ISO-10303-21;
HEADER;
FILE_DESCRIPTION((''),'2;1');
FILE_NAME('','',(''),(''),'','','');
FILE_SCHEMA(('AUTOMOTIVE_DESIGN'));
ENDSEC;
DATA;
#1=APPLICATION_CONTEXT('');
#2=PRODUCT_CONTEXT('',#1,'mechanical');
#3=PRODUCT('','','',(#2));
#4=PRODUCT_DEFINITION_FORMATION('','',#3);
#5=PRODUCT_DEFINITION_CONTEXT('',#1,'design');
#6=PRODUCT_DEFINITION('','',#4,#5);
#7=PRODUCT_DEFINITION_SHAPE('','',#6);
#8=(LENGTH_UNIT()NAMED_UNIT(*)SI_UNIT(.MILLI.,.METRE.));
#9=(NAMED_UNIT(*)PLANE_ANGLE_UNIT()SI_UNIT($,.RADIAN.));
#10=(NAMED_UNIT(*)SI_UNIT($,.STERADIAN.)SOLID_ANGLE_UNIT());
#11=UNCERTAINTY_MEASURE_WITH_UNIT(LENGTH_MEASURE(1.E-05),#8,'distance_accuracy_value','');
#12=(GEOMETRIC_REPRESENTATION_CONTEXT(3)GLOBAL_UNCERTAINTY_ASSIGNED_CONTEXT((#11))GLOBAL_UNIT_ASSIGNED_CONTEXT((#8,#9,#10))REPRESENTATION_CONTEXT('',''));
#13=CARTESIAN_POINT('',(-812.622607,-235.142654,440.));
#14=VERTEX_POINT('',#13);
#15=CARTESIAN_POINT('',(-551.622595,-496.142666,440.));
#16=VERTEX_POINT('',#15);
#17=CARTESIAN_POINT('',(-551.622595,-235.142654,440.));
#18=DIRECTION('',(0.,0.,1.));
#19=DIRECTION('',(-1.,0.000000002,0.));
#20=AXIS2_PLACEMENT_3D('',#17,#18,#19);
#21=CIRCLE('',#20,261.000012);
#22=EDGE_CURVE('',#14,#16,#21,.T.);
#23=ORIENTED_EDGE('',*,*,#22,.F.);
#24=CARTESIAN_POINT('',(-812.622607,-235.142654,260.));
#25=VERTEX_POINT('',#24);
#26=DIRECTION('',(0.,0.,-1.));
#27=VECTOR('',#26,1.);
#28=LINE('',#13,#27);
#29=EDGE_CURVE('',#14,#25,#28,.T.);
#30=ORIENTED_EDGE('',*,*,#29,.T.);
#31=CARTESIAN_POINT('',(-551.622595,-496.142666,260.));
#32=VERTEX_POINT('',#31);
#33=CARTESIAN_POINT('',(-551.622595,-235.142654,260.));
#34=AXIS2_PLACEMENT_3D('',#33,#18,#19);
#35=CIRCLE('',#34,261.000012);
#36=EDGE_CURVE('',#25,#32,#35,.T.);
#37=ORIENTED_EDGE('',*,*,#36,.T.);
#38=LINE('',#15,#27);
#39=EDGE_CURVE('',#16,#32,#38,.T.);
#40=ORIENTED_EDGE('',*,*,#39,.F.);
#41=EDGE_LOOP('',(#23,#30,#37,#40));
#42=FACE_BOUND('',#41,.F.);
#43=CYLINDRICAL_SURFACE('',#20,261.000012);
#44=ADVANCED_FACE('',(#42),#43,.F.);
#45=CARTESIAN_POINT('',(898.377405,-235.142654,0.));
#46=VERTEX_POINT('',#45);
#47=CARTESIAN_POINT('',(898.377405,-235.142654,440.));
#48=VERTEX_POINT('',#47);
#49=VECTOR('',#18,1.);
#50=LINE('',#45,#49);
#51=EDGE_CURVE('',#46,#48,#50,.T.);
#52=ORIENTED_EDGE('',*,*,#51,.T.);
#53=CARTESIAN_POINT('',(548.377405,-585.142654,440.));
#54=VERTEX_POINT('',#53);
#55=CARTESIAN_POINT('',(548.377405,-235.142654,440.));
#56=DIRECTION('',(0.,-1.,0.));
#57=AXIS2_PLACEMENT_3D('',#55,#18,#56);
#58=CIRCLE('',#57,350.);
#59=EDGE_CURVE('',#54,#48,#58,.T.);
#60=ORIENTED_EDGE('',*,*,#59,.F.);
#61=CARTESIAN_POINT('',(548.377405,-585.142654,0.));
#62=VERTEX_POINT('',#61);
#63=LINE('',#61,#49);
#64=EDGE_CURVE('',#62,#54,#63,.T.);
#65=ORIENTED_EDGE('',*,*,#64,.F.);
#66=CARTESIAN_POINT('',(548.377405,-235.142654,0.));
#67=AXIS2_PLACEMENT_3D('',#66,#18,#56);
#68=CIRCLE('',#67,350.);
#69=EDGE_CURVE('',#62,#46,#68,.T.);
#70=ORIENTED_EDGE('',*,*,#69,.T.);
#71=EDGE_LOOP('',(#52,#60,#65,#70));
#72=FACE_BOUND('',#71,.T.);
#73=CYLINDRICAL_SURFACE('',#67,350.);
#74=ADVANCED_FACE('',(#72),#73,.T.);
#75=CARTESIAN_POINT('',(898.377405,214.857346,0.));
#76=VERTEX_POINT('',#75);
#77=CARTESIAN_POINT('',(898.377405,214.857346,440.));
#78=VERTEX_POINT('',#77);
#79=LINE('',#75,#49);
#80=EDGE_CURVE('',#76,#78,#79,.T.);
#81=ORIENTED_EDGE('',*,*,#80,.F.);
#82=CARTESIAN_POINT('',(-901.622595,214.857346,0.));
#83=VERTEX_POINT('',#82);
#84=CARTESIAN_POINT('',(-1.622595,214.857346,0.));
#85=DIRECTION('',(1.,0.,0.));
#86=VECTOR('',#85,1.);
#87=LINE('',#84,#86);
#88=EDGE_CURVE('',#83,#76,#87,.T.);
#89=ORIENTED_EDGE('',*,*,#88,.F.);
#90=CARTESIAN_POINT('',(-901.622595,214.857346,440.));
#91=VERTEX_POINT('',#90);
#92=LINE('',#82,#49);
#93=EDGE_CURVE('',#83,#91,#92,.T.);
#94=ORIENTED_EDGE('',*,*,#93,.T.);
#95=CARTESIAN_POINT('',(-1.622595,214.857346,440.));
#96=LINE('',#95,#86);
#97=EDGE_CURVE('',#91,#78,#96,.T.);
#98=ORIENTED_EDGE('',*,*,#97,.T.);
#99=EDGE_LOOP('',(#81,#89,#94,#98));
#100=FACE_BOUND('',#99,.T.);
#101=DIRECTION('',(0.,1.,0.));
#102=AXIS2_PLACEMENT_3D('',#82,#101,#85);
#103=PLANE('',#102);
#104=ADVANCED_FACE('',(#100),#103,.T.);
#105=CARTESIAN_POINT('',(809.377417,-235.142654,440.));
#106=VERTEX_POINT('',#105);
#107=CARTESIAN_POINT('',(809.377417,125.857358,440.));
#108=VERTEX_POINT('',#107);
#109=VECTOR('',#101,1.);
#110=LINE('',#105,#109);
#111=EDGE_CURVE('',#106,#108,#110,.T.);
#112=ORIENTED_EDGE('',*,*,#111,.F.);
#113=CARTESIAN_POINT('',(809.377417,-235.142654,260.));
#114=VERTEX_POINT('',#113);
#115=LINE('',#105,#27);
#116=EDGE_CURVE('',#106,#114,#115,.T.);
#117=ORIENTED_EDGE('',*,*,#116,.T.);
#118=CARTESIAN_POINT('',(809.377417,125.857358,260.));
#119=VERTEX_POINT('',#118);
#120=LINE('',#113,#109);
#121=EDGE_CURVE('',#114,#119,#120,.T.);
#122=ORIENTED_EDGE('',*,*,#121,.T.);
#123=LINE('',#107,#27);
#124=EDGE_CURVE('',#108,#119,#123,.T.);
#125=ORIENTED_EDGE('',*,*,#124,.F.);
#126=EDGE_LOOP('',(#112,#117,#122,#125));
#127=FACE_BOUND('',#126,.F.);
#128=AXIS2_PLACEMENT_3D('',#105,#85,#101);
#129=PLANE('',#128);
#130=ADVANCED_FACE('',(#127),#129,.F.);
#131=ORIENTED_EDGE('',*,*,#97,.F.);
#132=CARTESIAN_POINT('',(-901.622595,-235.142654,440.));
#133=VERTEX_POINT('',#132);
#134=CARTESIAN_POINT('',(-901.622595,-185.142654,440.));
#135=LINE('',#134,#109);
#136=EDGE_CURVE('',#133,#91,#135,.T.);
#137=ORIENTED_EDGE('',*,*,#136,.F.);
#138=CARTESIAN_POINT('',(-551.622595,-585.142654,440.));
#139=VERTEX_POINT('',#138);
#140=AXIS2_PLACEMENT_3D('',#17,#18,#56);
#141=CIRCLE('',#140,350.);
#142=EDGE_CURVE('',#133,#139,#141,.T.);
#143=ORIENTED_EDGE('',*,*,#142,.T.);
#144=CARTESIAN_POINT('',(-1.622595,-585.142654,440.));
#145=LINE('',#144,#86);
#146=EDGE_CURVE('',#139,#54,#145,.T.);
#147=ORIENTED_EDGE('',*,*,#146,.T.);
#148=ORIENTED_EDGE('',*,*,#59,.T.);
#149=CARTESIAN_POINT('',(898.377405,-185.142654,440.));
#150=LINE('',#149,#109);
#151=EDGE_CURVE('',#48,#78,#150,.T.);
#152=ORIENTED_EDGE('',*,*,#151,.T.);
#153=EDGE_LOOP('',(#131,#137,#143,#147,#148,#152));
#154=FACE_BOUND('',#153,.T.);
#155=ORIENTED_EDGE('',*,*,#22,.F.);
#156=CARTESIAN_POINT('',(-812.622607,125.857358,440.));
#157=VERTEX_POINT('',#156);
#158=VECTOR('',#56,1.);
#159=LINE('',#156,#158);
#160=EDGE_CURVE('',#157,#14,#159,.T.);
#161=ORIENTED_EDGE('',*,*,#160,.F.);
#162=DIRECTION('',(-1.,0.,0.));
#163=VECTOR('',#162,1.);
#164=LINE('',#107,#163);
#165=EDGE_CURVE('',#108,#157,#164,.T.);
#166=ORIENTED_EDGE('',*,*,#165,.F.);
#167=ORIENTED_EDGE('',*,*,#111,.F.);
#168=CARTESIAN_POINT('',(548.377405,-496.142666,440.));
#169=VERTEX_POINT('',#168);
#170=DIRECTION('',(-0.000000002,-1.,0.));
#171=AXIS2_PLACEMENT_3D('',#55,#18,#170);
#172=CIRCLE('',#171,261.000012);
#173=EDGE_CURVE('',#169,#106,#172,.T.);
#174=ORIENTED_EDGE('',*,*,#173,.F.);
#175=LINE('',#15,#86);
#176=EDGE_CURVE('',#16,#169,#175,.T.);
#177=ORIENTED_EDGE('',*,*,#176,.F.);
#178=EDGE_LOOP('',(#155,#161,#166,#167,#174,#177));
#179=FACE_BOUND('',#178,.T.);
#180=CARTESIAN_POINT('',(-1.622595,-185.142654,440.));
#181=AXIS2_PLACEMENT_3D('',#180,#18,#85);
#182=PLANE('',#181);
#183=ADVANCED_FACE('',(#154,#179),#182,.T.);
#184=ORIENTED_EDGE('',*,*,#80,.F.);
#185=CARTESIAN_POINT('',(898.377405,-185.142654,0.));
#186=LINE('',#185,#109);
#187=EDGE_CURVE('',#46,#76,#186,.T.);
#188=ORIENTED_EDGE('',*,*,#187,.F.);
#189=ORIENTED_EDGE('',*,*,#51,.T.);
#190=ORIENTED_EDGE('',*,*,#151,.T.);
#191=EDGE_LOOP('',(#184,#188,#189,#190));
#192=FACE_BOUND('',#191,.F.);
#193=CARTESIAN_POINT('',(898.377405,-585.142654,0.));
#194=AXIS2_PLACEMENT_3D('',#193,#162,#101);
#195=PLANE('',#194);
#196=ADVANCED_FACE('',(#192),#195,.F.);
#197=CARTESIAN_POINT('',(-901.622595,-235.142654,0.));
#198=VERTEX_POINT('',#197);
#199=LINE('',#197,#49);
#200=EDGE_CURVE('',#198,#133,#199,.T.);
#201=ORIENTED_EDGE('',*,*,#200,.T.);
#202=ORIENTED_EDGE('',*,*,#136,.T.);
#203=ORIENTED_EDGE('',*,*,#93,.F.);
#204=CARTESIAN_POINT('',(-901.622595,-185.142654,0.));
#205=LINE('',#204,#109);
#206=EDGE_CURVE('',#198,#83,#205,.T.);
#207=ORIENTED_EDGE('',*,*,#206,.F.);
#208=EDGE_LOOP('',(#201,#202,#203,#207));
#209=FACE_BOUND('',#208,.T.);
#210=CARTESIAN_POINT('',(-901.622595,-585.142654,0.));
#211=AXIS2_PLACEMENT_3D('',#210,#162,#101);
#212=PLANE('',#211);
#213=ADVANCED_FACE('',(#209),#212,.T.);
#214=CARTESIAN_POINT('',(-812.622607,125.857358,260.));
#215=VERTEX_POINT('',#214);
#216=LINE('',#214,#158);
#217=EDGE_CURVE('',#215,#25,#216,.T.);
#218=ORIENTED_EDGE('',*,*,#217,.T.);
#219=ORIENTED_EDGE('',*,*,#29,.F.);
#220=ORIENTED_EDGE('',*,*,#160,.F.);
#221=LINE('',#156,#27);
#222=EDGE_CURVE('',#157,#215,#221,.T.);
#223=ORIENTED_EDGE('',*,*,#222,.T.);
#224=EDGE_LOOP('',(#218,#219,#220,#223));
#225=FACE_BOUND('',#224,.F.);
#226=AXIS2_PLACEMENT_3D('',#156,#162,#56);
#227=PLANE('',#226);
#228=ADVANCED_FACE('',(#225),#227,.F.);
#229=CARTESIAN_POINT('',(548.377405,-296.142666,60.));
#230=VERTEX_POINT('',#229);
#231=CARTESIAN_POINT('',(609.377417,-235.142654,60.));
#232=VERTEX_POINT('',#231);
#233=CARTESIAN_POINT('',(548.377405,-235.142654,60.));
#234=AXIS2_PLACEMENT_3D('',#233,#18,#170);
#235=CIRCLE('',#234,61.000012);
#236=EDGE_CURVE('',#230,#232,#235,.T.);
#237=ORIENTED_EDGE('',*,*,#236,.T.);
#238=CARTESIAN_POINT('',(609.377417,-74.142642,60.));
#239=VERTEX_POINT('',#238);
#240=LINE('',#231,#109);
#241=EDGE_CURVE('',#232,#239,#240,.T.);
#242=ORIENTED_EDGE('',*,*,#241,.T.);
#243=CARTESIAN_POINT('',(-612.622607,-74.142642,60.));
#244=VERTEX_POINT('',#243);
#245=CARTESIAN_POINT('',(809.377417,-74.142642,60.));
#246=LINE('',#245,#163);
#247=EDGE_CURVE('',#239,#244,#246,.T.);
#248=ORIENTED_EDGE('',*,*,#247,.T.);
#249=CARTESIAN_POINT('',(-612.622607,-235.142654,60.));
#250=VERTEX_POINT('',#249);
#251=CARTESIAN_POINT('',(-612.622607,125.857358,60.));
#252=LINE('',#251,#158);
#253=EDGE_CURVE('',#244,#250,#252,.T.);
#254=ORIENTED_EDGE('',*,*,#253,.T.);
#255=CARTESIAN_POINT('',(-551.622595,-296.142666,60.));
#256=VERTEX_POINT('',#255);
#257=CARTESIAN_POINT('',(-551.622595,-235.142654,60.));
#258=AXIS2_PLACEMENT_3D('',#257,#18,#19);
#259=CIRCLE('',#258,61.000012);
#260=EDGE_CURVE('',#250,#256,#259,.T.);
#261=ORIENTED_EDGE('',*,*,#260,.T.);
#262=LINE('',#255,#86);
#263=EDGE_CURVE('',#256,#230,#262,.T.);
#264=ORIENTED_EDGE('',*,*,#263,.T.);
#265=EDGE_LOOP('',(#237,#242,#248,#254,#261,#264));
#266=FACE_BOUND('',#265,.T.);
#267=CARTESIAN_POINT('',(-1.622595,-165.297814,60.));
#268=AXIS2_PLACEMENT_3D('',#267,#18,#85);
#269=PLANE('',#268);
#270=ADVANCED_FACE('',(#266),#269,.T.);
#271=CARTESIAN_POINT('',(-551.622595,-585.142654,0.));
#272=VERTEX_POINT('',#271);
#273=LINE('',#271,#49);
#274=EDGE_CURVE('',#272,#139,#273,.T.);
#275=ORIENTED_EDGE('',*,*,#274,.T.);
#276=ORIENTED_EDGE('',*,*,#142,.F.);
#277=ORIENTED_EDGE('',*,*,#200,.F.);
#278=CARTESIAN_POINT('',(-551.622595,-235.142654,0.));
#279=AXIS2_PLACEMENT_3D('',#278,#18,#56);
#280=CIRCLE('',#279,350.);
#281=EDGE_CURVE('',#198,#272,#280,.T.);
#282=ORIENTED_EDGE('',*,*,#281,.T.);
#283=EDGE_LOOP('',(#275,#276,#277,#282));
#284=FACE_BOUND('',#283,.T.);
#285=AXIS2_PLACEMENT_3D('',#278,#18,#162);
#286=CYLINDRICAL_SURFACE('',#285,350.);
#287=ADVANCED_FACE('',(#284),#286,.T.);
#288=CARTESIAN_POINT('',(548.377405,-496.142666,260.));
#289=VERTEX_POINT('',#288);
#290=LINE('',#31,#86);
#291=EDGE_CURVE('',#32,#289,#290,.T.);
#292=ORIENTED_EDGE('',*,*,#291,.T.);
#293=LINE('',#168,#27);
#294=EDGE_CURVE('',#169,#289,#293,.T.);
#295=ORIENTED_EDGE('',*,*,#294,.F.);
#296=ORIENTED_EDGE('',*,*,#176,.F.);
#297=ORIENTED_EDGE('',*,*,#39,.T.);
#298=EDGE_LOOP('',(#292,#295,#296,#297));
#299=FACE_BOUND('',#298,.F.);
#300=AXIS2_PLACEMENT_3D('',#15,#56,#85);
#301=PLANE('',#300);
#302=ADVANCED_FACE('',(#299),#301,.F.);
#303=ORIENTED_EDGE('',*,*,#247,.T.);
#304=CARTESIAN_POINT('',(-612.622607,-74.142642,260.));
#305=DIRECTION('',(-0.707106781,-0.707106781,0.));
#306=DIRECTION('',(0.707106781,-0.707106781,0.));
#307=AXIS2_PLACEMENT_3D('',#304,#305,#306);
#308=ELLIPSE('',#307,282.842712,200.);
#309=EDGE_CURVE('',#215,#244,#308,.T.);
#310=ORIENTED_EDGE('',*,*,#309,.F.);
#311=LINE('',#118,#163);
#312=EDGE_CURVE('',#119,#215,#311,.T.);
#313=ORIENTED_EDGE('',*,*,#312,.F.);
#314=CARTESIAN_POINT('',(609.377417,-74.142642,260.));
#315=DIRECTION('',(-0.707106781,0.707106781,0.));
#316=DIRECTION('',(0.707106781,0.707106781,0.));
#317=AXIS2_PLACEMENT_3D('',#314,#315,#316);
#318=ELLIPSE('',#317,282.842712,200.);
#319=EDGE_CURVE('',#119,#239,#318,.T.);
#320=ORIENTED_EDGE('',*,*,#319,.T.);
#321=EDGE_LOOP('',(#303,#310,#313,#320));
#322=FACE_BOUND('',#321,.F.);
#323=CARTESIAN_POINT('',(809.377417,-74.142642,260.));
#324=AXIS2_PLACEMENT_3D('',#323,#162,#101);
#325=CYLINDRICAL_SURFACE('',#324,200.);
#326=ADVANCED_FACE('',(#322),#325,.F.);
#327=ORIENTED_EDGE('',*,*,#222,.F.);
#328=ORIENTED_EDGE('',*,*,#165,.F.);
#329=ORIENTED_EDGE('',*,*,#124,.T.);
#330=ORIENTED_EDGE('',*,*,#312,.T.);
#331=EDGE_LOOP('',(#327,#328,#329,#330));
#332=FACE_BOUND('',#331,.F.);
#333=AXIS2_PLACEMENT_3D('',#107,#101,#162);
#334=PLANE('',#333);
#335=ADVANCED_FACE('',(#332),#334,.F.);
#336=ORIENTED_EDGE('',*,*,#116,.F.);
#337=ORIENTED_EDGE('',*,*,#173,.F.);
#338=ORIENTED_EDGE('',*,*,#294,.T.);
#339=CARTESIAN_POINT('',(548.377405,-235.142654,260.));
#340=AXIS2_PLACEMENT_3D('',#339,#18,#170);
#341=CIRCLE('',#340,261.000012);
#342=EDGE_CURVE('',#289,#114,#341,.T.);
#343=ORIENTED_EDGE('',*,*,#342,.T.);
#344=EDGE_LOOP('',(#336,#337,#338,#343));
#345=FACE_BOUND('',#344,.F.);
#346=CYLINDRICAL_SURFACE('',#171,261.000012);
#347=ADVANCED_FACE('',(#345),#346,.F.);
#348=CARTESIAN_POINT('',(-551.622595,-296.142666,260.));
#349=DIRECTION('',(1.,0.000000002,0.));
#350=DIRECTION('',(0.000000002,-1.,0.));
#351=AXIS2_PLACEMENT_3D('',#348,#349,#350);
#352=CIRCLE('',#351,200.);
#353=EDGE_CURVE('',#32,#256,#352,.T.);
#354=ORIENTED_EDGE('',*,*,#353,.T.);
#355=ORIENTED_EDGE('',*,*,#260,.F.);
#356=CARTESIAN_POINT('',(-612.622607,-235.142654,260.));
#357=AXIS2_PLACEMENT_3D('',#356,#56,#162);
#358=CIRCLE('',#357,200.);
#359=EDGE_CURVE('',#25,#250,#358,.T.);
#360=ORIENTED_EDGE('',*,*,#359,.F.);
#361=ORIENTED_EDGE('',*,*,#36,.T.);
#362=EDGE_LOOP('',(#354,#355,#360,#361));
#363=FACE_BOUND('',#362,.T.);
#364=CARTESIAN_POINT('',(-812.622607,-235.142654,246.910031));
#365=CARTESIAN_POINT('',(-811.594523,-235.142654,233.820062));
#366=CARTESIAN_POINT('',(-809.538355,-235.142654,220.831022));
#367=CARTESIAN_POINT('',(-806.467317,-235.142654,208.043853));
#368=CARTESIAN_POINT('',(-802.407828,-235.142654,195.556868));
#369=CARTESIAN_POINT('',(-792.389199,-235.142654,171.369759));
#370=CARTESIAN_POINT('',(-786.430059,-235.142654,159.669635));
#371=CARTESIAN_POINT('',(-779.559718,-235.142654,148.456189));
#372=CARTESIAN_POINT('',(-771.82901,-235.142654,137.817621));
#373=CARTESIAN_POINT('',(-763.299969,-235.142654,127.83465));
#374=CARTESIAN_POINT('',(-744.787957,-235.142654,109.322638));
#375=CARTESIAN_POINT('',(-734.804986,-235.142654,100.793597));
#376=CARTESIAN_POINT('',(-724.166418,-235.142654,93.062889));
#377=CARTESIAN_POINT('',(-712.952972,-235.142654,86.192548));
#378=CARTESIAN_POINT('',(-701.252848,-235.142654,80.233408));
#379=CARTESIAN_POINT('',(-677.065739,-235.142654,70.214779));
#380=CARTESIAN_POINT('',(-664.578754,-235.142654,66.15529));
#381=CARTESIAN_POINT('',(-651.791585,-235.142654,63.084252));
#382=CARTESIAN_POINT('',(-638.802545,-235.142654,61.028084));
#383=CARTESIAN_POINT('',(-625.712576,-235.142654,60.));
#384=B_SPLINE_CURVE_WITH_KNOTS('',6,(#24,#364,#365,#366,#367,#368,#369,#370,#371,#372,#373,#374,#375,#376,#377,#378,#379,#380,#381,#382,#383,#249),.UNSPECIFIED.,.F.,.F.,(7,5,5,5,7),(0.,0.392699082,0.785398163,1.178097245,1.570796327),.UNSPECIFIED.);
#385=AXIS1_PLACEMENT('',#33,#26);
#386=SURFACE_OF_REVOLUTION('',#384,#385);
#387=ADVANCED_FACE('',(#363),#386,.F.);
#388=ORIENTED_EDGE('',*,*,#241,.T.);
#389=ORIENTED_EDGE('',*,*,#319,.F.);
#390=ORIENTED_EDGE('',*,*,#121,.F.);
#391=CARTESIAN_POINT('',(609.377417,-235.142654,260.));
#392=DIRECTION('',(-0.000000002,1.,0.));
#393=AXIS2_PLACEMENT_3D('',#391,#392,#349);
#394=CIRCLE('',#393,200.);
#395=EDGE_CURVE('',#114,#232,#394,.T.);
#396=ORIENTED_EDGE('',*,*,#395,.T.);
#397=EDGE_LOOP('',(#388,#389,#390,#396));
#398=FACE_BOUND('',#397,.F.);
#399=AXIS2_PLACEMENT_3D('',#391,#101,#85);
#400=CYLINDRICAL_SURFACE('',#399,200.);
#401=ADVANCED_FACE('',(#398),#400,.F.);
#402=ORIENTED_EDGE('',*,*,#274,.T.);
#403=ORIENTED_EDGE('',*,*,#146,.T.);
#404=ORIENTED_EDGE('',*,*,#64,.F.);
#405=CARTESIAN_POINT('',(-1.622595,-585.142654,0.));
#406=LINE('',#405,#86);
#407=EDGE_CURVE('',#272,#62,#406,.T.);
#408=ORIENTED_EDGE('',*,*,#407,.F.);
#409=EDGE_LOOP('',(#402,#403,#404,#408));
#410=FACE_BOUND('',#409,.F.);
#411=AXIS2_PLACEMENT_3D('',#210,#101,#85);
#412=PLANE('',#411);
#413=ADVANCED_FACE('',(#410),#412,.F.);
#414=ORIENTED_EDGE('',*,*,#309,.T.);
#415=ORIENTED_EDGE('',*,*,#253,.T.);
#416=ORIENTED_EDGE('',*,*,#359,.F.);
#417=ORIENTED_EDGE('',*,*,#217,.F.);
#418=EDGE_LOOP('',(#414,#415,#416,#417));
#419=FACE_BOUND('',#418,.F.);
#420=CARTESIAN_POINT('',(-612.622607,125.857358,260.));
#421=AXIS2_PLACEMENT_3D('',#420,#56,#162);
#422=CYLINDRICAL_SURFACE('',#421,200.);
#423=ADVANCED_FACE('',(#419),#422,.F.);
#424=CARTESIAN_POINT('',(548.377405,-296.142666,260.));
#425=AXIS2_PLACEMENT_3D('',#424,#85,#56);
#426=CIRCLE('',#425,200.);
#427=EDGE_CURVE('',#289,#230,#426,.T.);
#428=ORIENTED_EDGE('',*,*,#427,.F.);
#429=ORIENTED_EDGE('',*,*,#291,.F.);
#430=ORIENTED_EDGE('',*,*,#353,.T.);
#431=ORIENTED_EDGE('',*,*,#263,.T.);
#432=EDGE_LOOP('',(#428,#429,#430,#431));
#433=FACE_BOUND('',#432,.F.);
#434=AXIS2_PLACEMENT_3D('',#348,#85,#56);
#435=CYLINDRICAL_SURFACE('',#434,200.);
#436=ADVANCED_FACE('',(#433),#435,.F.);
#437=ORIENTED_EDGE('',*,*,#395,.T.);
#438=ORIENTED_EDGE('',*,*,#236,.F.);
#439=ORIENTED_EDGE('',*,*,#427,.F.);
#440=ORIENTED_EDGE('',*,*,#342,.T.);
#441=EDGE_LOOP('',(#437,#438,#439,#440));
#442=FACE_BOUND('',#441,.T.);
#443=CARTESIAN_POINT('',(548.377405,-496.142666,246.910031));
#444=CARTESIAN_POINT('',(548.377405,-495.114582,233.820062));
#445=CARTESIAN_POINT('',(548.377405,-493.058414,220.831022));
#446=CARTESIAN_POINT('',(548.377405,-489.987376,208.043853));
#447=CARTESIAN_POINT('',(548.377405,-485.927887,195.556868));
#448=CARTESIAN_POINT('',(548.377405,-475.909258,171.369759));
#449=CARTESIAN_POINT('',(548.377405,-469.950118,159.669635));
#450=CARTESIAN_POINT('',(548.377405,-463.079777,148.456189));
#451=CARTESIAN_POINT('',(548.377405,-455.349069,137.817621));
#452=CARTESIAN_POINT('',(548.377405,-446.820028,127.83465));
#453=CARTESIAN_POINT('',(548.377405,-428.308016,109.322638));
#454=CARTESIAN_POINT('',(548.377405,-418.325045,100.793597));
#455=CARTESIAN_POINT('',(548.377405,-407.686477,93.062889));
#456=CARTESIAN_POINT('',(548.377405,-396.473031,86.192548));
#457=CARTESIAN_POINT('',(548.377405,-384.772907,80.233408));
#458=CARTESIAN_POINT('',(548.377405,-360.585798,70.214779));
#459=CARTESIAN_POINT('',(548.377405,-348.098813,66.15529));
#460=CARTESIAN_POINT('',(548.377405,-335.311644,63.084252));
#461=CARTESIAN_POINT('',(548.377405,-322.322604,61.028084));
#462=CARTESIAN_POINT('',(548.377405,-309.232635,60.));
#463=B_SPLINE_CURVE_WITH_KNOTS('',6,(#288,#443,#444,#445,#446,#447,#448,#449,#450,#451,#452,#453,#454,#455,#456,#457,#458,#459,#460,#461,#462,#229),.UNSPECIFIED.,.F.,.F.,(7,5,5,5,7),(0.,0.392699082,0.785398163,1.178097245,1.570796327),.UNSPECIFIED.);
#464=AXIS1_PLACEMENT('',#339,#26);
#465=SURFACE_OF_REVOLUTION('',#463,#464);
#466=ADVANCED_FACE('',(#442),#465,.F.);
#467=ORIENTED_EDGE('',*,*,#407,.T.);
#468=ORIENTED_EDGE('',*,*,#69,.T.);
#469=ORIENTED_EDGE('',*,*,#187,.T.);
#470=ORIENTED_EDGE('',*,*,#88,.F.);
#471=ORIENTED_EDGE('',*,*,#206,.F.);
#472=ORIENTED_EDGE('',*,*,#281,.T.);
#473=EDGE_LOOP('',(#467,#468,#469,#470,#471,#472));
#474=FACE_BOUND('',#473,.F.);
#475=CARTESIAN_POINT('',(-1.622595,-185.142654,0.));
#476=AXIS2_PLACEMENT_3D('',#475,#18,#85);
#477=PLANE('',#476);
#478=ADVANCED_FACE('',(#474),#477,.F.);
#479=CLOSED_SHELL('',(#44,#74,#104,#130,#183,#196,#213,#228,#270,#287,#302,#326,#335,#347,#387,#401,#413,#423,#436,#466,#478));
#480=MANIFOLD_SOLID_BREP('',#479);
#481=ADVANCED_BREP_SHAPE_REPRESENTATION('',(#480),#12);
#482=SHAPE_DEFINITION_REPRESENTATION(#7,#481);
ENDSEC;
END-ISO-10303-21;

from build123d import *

# Parameters (mm, degrees)
F0_W     = 1800
F0_H     = 800
F1_DEPTH = 440
F2_R     = 350
F4_DEPTH = 380
F5_R     = 200


with BuildPart() as f1:
    # F0 (on Top) → F1 (new body)
    with BuildSketch(Plane.XY):
        with Locations((-1.622595, -185.142654)):
            Rectangle(F0_W, F0_H)
    extrude(amount=F1_DEPTH)

    # F2
    f2_edges = [f1.edges().sort_by_distance(p)[0] for p in [
        (-901.622595, -585.142654, 220),
        (898.377405, -585.142654, 220),
    ]]
    fillet(f2_edges, radius=F2_R)

    # F3 (on face) → F4 (cut)
    with BuildSketch(Plane.XY.offset(440)):
        with BuildLine():
            Line((809.377417, 125.857358), (-812.622607, 125.857358))
            Line((-812.622607, 125.857358), (-812.622607, -235.142654))
            ThreePointArc((-812.622607, -235.142654), (-736.177473, -419.697533), (-551.622595, -496.142666))
            Line((-551.622595, -496.142666), (548.377405, -496.142666))
            ThreePointArc((548.377405, -496.142666), (732.932283, -419.697533), (809.377417, -235.142654))
            Line((809.377417, -235.142654), (809.377417, 125.857358))
        make_face()
    extrude(amount=-F4_DEPTH, mode=Mode.SUBTRACT)

    # F5
    f5_edges = [f1.edges().sort_by_distance(p)[0] for p in [
        (-812.622607, -54.642648, 60),
        (-736.177473, -419.697533, 60),
        (-1.622595, 125.857358, 60),
        (809.377417, -54.642648, 60),
        (732.932283, -419.697533, 60),
        (-1.622595, -496.142666, 60),
    ]]
    fillet(f5_edges, radius=F5_R)


solid = f1.part
